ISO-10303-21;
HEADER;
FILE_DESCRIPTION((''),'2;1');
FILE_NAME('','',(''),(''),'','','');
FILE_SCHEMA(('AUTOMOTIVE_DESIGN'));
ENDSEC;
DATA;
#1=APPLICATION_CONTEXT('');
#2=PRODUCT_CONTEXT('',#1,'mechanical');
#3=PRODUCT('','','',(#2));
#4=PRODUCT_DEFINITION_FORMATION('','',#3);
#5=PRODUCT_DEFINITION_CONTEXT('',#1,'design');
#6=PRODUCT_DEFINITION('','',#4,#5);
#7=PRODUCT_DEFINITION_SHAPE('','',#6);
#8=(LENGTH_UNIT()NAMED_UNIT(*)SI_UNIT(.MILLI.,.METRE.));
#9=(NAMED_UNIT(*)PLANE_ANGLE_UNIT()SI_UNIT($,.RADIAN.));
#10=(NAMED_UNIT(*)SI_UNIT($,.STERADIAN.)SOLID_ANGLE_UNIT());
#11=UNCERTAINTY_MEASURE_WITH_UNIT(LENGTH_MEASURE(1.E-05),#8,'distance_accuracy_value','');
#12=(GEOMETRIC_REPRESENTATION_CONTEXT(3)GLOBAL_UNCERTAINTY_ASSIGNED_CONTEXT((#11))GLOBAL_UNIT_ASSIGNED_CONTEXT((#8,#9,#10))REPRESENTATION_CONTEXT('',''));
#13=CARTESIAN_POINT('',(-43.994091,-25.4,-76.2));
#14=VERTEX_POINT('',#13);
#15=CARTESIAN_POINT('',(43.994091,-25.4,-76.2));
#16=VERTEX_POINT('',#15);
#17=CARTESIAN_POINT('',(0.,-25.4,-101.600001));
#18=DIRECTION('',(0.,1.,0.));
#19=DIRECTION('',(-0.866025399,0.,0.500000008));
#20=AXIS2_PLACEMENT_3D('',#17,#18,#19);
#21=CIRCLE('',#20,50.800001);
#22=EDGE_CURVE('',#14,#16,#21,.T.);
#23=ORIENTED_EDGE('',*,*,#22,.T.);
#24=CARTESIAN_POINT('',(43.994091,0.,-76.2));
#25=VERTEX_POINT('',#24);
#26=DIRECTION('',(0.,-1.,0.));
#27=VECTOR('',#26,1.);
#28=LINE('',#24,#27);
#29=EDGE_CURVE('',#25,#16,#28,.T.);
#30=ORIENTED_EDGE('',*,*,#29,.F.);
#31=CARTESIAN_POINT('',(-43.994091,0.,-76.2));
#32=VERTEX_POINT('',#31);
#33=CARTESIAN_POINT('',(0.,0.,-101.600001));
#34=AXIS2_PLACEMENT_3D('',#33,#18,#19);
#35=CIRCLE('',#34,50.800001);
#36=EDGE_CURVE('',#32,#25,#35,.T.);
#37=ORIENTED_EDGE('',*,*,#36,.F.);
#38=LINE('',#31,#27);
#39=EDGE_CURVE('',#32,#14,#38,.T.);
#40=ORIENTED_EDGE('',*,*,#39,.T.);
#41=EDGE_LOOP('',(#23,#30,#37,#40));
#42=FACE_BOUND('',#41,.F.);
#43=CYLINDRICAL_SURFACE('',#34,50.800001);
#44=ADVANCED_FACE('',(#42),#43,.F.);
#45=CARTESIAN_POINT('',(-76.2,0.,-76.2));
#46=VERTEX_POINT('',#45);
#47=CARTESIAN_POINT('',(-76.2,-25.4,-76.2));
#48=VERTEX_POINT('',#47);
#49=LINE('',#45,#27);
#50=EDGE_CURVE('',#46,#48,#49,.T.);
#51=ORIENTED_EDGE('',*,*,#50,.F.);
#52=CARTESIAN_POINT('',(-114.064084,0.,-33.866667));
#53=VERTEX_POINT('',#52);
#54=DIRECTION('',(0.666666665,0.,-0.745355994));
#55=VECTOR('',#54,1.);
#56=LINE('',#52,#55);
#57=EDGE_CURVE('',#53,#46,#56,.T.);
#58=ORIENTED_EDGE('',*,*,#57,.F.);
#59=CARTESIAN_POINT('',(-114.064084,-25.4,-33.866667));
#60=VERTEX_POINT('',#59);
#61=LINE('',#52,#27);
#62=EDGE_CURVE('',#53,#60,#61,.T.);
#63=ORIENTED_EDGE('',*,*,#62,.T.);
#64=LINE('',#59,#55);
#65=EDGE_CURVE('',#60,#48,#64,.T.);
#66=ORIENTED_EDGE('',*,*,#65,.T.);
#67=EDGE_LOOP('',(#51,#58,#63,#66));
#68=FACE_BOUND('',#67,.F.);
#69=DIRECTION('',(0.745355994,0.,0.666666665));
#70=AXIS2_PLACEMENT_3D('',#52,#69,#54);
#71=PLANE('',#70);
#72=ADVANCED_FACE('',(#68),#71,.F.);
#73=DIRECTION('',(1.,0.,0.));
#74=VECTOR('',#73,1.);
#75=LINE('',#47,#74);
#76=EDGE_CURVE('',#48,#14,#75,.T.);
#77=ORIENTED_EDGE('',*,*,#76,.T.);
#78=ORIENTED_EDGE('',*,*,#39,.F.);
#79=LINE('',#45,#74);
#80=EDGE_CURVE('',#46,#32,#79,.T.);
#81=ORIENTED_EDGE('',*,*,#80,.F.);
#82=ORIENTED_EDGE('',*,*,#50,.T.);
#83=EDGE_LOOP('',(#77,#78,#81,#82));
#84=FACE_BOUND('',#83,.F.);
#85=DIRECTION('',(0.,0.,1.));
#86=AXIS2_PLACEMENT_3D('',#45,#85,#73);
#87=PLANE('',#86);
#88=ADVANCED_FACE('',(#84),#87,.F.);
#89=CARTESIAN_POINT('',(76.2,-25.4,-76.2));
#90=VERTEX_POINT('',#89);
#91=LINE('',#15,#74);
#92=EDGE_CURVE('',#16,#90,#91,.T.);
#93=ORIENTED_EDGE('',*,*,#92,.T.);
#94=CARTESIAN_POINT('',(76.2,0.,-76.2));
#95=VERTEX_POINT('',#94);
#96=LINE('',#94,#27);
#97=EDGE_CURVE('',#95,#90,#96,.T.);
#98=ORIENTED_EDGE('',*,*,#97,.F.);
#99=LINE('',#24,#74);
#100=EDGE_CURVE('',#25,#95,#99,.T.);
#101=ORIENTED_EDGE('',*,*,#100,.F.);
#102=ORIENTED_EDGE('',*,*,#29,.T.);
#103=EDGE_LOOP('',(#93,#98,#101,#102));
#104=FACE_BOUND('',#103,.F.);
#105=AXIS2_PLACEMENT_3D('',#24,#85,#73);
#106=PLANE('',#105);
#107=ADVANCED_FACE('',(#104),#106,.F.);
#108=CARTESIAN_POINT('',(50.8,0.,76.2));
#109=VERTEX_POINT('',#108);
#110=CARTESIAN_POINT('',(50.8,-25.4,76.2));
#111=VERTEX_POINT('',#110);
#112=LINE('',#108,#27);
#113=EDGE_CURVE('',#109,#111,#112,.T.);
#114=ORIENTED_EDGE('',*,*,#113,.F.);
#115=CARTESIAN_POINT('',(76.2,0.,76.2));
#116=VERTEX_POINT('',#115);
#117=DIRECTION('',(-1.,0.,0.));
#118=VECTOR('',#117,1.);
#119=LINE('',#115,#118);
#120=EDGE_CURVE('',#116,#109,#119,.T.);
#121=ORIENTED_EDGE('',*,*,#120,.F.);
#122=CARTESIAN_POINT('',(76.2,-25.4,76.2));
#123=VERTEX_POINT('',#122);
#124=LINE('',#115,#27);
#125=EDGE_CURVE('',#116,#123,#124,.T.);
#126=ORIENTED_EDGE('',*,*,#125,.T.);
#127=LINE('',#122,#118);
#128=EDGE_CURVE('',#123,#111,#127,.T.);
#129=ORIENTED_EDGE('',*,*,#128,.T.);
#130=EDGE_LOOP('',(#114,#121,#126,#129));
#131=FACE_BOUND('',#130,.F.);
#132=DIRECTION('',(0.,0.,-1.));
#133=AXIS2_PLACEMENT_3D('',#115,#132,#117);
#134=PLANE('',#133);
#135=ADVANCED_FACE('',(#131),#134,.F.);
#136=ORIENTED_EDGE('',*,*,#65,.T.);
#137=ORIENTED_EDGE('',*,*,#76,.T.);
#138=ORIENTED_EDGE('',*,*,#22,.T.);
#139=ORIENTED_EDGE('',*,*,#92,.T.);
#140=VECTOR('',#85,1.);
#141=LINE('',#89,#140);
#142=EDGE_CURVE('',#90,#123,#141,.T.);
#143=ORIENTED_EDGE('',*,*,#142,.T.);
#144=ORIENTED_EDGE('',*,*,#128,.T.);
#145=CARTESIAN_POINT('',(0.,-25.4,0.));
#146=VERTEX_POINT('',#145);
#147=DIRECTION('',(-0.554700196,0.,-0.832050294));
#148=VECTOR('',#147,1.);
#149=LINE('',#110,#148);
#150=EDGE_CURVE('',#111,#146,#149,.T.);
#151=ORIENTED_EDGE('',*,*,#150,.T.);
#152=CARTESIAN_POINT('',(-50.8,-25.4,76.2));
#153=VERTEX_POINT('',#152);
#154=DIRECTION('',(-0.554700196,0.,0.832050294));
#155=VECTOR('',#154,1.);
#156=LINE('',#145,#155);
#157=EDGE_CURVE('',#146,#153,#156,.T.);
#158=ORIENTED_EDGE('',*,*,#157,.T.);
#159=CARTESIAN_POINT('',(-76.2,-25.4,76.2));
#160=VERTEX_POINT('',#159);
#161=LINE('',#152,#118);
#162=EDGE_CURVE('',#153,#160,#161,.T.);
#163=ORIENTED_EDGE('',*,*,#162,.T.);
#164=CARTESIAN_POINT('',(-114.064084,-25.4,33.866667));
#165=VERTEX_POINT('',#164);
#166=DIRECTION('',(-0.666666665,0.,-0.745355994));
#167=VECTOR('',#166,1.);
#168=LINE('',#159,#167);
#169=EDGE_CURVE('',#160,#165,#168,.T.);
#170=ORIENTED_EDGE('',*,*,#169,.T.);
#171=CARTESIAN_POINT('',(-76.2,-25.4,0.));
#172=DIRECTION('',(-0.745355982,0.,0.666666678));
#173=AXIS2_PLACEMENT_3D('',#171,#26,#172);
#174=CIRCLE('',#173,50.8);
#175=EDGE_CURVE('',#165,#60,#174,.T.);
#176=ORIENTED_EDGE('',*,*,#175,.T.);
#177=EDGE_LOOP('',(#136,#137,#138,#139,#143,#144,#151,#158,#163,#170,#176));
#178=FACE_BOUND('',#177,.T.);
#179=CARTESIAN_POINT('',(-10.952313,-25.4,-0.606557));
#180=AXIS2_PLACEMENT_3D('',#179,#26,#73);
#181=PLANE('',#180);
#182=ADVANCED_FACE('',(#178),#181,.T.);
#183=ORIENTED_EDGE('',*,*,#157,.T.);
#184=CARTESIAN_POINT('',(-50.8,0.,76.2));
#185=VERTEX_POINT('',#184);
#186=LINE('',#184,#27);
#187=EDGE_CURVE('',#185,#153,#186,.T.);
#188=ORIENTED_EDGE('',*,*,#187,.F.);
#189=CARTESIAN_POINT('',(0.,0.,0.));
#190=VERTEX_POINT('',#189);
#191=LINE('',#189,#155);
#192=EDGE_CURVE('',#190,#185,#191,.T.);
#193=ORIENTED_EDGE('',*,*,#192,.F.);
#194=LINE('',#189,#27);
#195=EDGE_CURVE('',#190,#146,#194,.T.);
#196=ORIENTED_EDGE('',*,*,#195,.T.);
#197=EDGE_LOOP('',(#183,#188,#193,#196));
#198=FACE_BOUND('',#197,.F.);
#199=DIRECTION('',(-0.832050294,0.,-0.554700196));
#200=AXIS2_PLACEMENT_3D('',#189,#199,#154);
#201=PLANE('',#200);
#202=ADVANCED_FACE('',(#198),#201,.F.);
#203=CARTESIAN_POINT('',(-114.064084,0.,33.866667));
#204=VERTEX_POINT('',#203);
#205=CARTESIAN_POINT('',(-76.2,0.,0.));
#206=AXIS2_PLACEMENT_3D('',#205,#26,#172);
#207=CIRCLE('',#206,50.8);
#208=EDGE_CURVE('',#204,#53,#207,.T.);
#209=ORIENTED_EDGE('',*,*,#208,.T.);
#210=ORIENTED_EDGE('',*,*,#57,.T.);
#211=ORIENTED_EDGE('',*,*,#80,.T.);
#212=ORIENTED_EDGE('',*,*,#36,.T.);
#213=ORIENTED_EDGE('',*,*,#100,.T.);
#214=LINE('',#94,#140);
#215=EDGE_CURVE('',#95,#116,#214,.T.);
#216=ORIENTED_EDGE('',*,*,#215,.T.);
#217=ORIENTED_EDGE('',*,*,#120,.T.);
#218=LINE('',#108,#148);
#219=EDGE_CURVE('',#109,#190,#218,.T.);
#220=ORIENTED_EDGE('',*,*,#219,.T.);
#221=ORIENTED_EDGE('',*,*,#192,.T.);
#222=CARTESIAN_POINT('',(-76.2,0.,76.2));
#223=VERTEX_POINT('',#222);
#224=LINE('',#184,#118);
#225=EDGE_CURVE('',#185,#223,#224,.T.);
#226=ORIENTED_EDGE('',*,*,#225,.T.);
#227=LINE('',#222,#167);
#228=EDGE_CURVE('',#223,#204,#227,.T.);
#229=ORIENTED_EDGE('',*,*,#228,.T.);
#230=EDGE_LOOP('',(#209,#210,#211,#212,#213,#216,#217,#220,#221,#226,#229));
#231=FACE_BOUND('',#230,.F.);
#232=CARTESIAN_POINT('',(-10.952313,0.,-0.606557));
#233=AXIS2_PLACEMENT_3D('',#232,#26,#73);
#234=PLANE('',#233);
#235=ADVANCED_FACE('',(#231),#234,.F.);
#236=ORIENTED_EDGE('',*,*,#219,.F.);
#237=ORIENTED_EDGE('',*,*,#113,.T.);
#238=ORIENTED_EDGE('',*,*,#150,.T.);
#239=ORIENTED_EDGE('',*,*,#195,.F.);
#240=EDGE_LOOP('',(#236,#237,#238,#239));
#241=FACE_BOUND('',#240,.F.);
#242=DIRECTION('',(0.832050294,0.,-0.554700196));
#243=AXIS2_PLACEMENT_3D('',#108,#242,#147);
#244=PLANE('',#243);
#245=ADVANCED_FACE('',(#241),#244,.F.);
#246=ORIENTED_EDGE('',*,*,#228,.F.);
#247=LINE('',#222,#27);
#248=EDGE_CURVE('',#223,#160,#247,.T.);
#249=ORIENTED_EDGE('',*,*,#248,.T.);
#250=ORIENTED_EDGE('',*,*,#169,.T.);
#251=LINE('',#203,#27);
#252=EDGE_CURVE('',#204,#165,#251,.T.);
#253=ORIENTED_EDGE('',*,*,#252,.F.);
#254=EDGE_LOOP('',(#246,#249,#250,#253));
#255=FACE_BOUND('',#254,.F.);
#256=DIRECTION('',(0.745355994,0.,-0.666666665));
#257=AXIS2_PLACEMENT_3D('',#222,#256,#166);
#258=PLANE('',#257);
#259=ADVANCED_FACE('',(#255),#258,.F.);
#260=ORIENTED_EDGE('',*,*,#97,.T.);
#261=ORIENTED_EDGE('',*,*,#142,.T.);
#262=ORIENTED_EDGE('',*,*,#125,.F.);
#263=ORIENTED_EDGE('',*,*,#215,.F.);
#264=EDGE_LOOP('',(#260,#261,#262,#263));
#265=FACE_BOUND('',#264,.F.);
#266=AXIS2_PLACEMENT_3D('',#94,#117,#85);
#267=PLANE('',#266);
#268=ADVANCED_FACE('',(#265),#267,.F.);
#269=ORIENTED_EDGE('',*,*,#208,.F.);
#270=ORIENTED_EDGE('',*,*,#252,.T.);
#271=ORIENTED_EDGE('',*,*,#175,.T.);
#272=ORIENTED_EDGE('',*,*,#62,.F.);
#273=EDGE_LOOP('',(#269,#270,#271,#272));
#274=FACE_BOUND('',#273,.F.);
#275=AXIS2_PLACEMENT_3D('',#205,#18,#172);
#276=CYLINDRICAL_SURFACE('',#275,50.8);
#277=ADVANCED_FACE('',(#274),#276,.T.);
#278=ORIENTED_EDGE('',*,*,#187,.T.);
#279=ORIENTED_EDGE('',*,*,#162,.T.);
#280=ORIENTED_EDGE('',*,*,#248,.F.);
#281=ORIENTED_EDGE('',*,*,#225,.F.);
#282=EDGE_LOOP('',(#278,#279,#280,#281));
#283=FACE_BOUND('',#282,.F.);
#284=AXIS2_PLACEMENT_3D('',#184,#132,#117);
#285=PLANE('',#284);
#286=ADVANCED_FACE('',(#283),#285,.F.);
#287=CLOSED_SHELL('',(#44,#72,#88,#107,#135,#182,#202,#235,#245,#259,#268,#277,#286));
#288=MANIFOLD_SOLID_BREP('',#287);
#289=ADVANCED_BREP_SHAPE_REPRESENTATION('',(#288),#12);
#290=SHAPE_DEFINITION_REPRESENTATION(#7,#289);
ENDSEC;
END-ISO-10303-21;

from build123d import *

# Parameters (mm, degrees)
F1_DEPTH = 25.4


with BuildPart() as f1:
    # F0 (on Front) → F1 (new body)
    with BuildSketch(Plane.XZ):
        with BuildLine():
            Line((-50.8, 76.2), (-76.2, 76.2))
            Line((-76.2, 76.2), (-114.064084, 33.866667))
            ThreePointArc((-114.064084, 33.866667), (-127, 0), (-114.064084, -33.866667))
            Line((-114.064084, -33.866667), (-76.2, -76.2))
            Line((-76.2, -76.2), (-43.994091, -76.2))
            ThreePointArc((-43.994091, -76.2), (0, -50.8), (43.994091, -76.2))
            Line((43.994091, -76.2), (76.2, -76.2))
            Line((76.2, -76.2), (76.2, 76.2))
            Line((76.2, 76.2), (50.8, 76.2))
            Line((50.8, 76.2), (0, 0))
            Line((0, 0), (-50.8, 76.2))
        make_face()
    extrude(amount=F1_DEPTH)


solid = f1.part
